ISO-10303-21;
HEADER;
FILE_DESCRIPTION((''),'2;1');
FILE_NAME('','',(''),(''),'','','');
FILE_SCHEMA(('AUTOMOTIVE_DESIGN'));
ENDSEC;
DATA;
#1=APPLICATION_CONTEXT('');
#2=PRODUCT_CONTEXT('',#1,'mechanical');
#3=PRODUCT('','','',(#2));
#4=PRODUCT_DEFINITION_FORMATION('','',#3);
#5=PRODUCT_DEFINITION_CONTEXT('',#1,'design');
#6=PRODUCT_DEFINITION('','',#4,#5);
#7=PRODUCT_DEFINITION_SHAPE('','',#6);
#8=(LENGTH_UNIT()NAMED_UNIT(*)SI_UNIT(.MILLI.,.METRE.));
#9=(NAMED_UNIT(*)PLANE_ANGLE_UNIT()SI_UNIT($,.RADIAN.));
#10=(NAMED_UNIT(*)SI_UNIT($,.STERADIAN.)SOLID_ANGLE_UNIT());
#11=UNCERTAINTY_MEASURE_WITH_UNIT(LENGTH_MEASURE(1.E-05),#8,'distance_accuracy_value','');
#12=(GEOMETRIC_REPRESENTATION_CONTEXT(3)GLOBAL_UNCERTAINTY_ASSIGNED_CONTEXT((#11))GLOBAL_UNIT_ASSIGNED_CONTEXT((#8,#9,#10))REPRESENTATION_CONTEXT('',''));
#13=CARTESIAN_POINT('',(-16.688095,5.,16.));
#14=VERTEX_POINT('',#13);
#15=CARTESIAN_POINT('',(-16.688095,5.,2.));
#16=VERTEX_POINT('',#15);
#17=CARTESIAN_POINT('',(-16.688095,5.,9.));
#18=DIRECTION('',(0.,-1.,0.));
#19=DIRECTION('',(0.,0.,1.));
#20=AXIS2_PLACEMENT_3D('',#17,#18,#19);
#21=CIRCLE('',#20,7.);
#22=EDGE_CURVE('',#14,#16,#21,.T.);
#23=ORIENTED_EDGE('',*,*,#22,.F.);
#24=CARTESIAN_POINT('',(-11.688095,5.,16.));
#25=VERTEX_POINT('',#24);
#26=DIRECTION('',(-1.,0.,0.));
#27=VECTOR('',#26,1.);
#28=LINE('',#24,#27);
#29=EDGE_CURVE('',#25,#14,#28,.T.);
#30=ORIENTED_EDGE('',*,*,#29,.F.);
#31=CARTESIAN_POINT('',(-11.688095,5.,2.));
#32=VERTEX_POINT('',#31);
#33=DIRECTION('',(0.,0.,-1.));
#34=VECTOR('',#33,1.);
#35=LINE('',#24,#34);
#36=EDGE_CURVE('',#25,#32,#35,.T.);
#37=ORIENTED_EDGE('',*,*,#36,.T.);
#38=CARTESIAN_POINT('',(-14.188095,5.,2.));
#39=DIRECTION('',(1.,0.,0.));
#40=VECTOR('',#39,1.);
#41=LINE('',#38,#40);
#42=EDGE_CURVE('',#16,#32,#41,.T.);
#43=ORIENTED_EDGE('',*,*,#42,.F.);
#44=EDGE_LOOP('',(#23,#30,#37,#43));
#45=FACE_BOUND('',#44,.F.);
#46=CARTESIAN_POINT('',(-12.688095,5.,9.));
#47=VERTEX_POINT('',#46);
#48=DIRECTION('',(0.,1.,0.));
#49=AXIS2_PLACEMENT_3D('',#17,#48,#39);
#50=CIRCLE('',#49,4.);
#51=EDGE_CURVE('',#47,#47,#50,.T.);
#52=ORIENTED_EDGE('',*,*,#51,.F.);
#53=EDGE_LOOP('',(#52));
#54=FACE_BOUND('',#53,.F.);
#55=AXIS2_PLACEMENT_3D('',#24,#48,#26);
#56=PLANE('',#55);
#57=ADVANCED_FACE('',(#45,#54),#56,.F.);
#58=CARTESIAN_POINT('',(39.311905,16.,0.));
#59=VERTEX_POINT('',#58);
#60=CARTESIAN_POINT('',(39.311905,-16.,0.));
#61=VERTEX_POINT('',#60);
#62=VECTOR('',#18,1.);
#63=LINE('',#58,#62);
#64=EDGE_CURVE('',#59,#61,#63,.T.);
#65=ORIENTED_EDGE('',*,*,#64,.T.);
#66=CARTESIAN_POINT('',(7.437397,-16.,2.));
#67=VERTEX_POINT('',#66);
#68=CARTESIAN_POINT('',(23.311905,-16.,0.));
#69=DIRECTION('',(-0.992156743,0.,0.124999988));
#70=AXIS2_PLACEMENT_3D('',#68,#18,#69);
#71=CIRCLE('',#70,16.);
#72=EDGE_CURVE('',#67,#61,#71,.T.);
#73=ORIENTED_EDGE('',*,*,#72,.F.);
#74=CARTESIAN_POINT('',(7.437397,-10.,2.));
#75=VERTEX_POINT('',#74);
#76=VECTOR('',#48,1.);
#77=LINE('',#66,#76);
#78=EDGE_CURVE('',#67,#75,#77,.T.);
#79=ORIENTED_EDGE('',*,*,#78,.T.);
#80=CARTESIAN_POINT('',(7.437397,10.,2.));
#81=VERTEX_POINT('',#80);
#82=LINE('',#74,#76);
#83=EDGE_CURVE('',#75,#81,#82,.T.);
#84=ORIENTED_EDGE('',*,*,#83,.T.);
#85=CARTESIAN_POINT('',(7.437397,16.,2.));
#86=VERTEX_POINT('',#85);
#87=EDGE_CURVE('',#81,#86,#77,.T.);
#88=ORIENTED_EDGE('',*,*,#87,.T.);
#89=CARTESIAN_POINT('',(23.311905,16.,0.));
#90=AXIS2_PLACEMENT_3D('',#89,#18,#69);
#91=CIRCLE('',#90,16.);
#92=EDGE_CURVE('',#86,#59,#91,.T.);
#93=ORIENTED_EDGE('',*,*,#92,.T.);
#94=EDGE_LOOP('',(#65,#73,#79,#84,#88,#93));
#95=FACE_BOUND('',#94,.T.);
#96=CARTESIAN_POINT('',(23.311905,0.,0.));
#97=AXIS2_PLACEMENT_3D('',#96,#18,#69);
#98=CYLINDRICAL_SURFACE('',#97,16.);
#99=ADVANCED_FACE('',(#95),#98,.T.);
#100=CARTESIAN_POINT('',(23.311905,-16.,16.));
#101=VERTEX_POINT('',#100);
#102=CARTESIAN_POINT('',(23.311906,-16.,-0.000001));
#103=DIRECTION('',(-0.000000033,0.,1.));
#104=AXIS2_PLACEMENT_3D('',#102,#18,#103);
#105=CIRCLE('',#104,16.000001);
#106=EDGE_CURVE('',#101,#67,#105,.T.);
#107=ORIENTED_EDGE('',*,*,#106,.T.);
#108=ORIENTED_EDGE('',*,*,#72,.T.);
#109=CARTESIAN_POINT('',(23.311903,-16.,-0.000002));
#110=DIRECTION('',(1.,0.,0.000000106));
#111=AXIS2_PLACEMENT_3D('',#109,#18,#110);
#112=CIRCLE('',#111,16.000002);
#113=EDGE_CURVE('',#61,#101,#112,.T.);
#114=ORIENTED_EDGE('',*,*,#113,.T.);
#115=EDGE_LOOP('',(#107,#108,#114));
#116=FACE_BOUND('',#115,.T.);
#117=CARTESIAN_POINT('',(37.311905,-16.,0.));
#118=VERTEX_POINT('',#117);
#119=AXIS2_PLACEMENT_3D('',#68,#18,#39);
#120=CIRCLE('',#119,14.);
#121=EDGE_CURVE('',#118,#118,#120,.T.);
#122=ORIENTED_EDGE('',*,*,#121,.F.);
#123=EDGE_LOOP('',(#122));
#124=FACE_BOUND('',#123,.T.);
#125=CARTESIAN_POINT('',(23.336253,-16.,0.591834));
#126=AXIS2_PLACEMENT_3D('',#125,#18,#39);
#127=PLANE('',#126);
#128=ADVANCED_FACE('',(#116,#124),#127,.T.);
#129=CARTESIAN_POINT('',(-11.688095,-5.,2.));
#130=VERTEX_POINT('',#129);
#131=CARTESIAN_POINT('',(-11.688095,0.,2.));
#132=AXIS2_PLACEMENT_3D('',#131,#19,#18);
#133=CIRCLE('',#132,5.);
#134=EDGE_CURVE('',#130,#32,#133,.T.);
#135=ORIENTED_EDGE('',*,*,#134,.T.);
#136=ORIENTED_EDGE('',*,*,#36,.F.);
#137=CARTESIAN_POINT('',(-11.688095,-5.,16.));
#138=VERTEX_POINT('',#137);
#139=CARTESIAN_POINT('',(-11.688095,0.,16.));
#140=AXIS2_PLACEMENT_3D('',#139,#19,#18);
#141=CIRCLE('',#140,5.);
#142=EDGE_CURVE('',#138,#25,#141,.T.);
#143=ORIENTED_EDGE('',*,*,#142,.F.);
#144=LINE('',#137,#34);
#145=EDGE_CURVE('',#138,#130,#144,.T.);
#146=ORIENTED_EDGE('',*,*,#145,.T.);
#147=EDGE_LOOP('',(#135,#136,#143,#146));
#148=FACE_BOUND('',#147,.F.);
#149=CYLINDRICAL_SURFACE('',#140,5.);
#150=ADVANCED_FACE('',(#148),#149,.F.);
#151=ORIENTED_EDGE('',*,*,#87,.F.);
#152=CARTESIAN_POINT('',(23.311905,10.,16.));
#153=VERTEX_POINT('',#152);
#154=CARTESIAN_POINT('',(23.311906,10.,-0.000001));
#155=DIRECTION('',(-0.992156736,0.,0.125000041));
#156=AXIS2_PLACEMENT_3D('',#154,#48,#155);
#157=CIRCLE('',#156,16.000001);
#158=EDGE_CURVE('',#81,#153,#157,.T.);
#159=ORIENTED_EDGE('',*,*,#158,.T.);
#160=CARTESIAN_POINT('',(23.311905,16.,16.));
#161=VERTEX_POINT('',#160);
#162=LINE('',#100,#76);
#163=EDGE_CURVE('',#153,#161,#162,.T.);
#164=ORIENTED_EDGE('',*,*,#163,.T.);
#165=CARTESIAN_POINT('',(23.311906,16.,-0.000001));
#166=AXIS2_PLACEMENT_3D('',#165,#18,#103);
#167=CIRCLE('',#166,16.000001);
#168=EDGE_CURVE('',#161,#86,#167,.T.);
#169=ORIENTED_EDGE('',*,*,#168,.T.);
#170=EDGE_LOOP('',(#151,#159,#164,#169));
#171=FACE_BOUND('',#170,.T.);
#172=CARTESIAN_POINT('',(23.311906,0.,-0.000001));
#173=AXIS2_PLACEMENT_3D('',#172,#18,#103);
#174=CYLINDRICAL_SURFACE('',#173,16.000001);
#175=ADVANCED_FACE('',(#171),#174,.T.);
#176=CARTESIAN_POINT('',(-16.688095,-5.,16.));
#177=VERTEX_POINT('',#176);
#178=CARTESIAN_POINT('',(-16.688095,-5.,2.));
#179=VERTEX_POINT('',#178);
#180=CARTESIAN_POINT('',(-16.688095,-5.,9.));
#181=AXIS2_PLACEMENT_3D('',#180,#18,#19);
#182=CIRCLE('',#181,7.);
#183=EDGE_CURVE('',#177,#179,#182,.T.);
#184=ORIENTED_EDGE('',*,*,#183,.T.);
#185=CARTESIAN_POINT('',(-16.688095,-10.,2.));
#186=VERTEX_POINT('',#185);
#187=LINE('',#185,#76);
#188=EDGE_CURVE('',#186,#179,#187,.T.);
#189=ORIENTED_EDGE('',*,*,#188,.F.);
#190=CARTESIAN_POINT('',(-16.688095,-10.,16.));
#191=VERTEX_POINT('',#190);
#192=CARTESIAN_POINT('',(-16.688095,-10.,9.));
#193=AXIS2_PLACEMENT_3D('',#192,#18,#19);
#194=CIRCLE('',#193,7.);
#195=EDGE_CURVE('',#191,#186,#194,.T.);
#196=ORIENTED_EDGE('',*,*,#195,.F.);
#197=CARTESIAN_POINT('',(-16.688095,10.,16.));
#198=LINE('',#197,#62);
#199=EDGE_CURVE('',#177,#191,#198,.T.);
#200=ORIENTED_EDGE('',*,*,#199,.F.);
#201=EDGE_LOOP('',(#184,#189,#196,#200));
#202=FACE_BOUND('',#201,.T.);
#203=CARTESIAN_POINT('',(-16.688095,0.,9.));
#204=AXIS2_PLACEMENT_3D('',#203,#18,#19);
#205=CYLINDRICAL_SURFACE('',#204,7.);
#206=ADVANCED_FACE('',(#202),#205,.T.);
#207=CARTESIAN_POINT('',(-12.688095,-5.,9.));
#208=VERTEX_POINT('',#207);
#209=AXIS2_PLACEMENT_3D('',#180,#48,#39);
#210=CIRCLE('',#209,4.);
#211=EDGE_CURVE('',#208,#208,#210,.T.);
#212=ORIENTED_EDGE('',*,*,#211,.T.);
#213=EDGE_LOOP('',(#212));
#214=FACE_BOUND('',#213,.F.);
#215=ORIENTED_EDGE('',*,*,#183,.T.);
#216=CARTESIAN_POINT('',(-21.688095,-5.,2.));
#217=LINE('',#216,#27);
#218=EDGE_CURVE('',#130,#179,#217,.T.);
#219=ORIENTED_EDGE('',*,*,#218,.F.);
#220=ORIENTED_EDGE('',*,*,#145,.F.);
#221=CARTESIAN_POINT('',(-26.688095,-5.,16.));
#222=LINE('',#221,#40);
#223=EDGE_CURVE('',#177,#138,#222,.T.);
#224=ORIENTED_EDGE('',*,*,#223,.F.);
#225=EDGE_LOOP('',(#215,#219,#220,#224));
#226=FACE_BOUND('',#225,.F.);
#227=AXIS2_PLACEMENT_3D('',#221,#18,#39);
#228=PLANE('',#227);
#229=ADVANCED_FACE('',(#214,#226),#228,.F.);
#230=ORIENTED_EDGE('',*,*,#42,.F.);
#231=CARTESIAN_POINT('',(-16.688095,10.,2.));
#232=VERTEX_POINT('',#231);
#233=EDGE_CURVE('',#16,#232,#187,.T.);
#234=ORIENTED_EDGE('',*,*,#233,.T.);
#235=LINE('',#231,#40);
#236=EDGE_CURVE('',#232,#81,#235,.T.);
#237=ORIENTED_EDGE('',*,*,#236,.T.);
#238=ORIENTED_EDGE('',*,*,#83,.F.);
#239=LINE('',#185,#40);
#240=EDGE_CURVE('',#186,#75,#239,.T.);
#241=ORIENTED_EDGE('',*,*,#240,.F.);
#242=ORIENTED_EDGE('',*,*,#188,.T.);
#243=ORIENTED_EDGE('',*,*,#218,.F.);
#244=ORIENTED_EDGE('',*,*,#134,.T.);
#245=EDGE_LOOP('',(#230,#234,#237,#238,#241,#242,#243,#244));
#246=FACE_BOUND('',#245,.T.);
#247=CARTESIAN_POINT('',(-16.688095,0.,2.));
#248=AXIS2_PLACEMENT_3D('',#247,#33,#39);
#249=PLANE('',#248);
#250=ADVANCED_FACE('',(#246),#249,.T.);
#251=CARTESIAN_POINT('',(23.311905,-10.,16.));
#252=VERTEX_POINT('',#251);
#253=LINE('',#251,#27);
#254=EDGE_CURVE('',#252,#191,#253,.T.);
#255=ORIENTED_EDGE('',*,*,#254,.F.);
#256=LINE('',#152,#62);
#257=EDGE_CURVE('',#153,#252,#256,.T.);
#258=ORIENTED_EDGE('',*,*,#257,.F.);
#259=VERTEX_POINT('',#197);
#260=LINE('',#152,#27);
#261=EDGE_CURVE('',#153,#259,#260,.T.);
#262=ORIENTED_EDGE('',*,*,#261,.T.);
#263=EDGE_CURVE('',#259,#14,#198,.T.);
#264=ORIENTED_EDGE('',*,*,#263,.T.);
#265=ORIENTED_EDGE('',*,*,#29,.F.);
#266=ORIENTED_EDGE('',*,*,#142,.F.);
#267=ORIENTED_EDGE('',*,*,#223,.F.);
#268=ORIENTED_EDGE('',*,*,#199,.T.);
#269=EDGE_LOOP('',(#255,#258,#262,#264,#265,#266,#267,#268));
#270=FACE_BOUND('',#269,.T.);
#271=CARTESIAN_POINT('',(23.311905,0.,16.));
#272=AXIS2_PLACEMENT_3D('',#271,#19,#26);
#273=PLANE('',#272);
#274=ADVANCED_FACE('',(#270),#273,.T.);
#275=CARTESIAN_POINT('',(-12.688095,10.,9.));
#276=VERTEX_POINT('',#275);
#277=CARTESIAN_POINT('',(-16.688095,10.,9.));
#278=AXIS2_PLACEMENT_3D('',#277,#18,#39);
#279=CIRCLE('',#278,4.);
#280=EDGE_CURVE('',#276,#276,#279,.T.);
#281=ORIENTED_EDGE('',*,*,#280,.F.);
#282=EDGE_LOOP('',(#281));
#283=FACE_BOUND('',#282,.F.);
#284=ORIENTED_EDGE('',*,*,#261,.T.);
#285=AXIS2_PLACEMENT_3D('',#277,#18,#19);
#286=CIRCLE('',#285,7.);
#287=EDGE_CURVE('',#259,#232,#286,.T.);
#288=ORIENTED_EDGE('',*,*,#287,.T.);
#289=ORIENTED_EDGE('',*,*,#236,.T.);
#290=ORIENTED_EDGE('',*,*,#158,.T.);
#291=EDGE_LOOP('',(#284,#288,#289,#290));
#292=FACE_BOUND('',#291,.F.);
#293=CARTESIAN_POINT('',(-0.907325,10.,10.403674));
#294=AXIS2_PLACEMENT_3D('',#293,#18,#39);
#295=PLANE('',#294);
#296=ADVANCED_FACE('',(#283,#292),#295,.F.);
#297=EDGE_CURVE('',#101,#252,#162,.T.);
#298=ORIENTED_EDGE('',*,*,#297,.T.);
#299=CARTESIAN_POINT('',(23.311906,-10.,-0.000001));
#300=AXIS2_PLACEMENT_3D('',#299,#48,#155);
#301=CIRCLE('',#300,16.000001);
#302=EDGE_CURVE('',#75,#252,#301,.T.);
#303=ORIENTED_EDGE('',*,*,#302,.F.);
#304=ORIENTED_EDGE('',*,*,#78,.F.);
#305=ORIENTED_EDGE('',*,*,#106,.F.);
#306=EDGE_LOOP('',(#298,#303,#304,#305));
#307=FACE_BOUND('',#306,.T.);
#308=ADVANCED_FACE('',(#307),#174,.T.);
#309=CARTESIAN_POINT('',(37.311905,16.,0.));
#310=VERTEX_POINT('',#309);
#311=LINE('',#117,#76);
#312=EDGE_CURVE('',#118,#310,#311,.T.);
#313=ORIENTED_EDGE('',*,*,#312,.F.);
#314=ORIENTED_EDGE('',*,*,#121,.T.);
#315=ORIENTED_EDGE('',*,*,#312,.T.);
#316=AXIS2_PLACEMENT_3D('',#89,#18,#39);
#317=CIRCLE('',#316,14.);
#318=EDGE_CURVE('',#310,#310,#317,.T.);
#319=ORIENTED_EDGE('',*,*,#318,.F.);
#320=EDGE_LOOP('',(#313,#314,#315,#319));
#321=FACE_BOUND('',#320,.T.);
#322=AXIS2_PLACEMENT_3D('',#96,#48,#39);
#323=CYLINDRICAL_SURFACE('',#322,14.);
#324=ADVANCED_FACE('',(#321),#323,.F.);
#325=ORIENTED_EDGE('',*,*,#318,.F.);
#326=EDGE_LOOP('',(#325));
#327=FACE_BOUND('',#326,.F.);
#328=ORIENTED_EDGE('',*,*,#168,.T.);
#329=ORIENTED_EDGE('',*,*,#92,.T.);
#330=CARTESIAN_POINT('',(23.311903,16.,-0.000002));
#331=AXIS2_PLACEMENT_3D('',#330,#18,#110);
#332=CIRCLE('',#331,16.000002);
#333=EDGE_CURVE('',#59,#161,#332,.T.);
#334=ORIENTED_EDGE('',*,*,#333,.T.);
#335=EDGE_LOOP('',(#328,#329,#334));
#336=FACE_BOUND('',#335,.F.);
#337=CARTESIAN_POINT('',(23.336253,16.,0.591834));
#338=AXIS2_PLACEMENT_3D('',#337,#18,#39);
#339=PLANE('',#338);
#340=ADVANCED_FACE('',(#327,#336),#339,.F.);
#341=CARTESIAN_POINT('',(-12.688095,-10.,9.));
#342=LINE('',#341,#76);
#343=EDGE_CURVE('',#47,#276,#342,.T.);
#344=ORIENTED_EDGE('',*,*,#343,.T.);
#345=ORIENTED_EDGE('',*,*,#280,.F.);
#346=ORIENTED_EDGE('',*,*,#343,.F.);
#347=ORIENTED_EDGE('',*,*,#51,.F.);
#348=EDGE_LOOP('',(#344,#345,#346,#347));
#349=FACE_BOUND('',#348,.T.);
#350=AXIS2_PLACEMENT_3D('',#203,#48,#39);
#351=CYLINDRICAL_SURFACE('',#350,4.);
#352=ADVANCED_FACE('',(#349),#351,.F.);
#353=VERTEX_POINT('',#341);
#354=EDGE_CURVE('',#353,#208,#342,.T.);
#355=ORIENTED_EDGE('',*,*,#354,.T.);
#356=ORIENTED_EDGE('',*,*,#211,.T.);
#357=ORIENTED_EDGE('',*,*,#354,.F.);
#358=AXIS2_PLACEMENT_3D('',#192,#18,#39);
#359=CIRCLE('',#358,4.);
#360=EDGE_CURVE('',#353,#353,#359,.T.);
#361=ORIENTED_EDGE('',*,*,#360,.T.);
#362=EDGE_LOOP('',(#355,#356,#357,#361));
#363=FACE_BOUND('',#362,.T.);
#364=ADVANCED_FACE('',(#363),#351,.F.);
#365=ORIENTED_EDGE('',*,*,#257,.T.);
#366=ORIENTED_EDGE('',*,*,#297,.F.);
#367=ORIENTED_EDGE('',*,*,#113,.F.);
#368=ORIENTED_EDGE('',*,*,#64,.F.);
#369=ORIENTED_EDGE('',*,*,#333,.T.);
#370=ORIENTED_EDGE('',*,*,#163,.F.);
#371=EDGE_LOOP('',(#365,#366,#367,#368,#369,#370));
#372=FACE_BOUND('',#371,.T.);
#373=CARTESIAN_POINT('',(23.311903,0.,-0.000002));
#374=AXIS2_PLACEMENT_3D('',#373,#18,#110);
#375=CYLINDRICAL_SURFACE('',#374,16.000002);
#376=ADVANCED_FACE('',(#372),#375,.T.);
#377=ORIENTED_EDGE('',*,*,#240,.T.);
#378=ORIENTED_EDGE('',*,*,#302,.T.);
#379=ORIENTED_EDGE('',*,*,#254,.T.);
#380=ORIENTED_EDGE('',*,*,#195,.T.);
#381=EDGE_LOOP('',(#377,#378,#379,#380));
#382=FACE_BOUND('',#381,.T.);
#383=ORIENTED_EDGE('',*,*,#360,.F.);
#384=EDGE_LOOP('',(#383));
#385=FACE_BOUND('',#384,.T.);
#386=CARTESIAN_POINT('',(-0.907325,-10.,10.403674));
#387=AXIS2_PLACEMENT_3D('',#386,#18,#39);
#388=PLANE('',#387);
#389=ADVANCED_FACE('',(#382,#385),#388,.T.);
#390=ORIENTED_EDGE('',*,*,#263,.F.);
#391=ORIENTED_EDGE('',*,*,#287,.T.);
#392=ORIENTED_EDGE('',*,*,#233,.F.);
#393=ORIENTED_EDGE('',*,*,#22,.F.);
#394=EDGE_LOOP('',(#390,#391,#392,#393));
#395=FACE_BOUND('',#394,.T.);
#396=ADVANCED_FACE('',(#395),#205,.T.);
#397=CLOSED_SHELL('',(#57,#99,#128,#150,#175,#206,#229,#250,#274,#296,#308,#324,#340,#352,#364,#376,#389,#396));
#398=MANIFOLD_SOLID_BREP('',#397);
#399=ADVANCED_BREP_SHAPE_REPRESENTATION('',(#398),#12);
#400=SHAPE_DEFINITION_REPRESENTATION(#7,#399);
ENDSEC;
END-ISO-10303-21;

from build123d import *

# Parameters (mm, degrees)
F0_R     = 14
F1_DEPTH = 16
F0_R_2   = 4
F2_DEPTH = 10
F3_W     = 10
F3_H     = 10
F4_DEPTH = 25


with BuildPart() as f1:
    # F0 (on Front) → F1 (new body, symmetric)
    with BuildSketch(Plane.XZ):
        with BuildLine():
            ThreePointArc((7.437397, 2), (22.309938, -15.968596), (39.311905, 0))
            ThreePointArc((39.311905, 0), (34.625613, 11.313708), (23.311905, 16))
            ThreePointArc((23.311905, 16), (12.7289, 12), (7.437397, 2))
        make_face()
        with Locations((23.311905, 0)):
            Circle(F0_R, mode=Mode.SUBTRACT)
    extrude(amount=F1_DEPTH, both=True)

    # F0 (on Front) → F2 (join, symmetric)
    with BuildSketch(Plane.XZ):
        with BuildLine():
            ThreePointArc((7.437397, 2), (12.7289, 12), (23.311905, 16))
            Line((23.311905, 16), (-16.688095, 16))
            ThreePointArc((-16.688095, 16), (-23.688095, 9), (-16.688095, 2))
            Line((-16.688095, 2), (7.437397, 2))
        make_face()
        with Locations((-16.688095, 9)):
            Circle(F0_R_2, mode=Mode.SUBTRACT)
    extrude(amount=F2_DEPTH, both=True)

    # F3 (on face) → F4 (cut)
    with BuildSketch(Plane.XY.offset(16)):
        with Locations((-21.688095, 0)):
            Rectangle(F3_W, F3_H)
        with BuildLine():
            Line((-11.688095, 5), (-16.688095, 5))
            Line((-16.688095, 5), (-16.688095, -5))
            Line((-16.688095, -5), (-11.688095, -5))
            ThreePointArc((-11.688095, -5), (-6.688095, 0), (-11.688095, 5))
        make_face()
    extrude(amount=-F4_DEPTH, mode=Mode.SUBTRACT)


solid = f1.part
